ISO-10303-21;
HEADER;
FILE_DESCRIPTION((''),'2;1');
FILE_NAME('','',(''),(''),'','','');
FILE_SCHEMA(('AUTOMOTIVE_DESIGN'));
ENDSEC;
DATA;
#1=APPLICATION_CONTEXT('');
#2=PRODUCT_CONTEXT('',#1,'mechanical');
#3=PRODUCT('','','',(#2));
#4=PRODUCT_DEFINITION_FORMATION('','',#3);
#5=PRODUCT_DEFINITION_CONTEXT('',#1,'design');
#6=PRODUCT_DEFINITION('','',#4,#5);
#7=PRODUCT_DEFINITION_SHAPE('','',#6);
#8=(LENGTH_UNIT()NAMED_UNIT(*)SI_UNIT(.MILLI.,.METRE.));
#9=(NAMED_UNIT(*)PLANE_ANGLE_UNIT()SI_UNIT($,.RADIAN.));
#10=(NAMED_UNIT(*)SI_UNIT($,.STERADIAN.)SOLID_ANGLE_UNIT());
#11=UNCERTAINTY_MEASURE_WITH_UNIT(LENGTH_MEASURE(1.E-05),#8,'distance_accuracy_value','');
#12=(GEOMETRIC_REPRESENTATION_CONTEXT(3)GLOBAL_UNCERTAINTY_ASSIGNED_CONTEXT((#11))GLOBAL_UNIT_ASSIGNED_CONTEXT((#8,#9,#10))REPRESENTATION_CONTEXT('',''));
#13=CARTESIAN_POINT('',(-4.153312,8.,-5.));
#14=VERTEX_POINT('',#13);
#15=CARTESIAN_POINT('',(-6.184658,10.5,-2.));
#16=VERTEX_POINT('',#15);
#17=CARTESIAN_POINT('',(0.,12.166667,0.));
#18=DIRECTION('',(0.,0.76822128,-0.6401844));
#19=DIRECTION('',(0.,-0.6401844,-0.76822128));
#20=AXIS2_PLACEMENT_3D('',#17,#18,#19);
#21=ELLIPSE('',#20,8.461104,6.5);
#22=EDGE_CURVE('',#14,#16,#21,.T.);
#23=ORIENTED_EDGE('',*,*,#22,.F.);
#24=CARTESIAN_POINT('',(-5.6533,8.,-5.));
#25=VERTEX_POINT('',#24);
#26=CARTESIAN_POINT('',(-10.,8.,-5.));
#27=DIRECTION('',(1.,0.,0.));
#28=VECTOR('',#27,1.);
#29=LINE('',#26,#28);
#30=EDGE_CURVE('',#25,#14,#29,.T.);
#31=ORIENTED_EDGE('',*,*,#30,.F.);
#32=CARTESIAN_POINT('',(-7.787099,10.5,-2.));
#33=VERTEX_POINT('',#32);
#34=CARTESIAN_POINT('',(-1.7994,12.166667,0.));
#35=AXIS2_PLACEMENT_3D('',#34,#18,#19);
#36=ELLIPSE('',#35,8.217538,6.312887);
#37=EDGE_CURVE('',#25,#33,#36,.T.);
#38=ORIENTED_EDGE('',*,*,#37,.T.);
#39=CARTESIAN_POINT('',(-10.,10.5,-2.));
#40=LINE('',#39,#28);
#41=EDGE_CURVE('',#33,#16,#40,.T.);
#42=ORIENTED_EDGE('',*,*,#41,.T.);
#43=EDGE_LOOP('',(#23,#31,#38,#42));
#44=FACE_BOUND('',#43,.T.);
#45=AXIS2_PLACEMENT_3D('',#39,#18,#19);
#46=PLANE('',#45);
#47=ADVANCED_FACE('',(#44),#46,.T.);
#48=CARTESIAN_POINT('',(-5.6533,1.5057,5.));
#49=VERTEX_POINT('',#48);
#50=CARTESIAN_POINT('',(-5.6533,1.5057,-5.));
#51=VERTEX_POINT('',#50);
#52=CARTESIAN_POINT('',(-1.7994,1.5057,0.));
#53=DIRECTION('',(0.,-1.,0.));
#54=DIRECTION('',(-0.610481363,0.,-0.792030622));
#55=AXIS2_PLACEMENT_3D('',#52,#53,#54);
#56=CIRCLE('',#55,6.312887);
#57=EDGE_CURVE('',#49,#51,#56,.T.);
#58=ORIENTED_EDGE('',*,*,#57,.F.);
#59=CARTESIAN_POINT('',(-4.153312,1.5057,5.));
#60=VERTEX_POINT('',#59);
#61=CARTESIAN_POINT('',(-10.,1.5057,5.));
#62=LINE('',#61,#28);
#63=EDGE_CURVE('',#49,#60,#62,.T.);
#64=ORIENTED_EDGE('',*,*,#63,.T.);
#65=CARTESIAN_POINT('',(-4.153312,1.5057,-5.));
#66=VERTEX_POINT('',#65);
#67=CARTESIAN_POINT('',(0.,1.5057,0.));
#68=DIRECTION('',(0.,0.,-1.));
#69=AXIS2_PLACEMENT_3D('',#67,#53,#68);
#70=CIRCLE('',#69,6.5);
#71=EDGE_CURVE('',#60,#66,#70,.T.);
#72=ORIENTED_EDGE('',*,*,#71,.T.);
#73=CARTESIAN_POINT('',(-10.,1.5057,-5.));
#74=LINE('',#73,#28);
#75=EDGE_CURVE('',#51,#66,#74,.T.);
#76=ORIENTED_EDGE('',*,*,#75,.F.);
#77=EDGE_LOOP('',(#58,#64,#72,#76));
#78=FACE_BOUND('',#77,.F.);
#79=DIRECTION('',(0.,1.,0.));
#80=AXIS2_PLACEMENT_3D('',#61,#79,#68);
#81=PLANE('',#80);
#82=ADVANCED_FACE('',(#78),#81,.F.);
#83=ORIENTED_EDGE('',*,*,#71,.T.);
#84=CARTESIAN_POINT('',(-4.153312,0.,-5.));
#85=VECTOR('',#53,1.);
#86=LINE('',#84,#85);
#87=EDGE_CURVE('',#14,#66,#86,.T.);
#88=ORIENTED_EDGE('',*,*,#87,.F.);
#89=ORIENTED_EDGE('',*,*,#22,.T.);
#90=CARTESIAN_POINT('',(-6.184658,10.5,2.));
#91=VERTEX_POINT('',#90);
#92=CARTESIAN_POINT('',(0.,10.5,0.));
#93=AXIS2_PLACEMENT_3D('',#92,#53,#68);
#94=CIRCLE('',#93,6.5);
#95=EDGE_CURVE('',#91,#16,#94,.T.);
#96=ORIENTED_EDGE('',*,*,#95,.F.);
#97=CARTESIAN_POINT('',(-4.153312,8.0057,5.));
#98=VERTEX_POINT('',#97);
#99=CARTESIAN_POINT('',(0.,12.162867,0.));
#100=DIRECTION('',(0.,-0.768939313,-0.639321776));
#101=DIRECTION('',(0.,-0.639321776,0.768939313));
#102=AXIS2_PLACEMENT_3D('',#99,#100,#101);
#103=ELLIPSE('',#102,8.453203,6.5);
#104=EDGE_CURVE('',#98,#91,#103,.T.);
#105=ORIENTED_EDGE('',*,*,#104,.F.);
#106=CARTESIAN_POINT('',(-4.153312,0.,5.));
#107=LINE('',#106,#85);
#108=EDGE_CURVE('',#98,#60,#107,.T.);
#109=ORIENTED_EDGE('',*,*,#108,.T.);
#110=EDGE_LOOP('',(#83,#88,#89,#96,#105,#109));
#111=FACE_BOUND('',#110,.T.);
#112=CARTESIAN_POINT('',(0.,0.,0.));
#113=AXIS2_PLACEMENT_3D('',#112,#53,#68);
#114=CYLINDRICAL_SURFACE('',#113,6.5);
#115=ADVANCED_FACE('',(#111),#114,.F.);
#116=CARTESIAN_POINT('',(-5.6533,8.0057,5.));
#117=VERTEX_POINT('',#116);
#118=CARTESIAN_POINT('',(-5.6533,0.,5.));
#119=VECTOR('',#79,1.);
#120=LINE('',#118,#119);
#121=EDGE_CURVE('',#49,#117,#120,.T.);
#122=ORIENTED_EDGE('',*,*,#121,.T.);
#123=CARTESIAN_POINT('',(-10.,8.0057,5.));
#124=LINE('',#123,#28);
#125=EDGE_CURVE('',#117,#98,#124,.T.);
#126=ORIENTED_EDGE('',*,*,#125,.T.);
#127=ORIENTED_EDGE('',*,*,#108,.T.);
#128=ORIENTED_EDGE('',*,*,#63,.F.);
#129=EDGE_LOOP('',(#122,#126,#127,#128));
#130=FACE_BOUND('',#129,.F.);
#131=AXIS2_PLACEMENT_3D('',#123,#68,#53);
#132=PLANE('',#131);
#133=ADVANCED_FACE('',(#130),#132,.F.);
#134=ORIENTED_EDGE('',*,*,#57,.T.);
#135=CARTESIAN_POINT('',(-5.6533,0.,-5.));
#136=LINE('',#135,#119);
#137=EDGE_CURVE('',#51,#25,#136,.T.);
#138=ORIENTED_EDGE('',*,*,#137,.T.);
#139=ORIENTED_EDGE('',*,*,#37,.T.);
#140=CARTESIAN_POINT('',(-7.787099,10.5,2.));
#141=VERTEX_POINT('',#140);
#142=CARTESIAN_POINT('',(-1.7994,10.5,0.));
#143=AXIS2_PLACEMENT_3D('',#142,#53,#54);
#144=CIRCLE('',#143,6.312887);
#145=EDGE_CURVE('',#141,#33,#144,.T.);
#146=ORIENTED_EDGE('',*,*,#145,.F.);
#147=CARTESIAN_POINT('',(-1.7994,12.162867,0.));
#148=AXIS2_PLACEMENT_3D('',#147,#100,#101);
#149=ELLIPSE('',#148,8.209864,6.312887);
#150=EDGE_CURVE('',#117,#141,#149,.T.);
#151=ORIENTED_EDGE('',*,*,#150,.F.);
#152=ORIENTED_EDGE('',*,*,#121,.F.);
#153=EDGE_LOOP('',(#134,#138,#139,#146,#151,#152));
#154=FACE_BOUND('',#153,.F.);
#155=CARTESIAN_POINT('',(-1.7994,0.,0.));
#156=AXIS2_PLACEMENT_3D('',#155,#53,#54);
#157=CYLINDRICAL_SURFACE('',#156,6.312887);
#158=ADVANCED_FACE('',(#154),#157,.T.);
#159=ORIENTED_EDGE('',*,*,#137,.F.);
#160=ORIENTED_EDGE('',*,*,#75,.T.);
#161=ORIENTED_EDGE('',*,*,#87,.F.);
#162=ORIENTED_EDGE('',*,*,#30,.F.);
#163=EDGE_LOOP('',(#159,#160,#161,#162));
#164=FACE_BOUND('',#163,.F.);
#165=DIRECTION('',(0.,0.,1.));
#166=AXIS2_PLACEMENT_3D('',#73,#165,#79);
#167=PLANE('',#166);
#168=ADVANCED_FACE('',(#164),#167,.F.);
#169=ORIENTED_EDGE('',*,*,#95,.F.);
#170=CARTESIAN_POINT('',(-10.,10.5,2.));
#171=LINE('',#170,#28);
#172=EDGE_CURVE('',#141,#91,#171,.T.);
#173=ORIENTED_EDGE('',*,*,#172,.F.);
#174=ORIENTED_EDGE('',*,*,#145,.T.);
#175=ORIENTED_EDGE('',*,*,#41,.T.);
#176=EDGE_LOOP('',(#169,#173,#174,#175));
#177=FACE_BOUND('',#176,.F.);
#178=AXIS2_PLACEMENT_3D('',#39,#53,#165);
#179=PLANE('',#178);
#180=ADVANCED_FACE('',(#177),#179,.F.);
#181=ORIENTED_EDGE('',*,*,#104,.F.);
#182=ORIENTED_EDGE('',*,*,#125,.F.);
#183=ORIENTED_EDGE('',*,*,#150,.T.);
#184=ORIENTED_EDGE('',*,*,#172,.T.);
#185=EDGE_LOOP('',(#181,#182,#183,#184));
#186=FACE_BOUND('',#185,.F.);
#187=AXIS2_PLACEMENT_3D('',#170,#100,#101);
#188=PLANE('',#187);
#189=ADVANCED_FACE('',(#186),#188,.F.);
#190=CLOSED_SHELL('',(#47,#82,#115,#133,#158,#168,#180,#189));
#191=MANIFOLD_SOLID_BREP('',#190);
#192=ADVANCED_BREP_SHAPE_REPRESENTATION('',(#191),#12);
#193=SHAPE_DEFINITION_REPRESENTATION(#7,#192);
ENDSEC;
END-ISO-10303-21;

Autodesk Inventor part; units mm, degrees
ref_plane "YZ Plane" through (0, 0, 0) normal (1, 0, 0) x (0, 1, 0)
ref_plane "XZ Plane" through (0, 0, 0) normal (0, 1, 0) x (-1, 0, 0)
ref_plane "XY Plane" through (0, 0, 0) normal (0, 0, 1) x (1, 0, 0)
sketch "Sketch1" plane through (0, 0, 0) normal (0, 1, 0) x (-1, 0, 0)
  arc A0 (0, -6.5) -> (0, 6.5) centre (0, 0) ccw
  line L0 (0, 6.5) -> (0, -6.5)
  dimension "d0" = 13
extrude "Extrusion1" add sketch "Sketch1" along normal blind 12
ref_plane "Work Plane1" through (-10, 0, 6.5) normal (1, 0, 0) x (0, 0, -1)
sketch "Sketch2" plane through (-10, 0, 6.5) normal (1, 0, 0) x (0, 0, -1)
  line L0 (1.5, 8.0057) -> (1.5, 1.5057)
  line L1 (1.5, 1.5057) -> (11.5, 1.5057)
  line L2 (11.5, 1.5057) -> (11.5, 8)
  line L3 (8.5, 10.5) -> (4.5, 10.5)
  line L4 (8.5, 10.5) -> (11.5, 8)
  line L5 (4.5, 10.5) -> (1.5, 8.0057)
  line L6 (13, 0) -> (13, 12) projected
  point P0 (6.5, 0)
  dimension "d9" = 10
  dimension "d10" = 6.5
  dimension "d12" = 4
  dimension "d14" = 3
  dimension "d15" = 3
  dimension "d24" = 1.5
extrude "Extrusion2" add sketch "Sketch2" along normal blind 10
sketch "Sketch7" plane through (0, 0, 0) normal (0, 1, 0) x (-1, 0, 0)
  arc A0 (0, -6.5) -> (0, 6.5) centre (0, 0) ccw
  line L0 (0, 6.5) -> (0, -6.5)
  line L1 (0, -6.5) -> (0, 6.5)
extrude "Extrusion7" cut sketch "Sketch7" along normal through all
sketch "Sketch8" plane through (0, 0, 0) normal (0, 1, 0) x (-1, 0, 0)
  arc A0 (5.6533, -5) -> (5.6533, 5) centre (1.7994, 0) ccw
  line L0 (5.6533, -5) -> (4.1533, -5)
  line L1 (5.6533, 5) -> (4.1533, 5)
  line L2 (10, 5) -> (4.1533, 5) projected
  arc A1 (4.1533, -5) -> (4.1533, 5) centre (10.21, 0) ccw
  point P0 (0, 0)
  dimension "d36" = 1.5
  dimension "d37" = 1.5
extrude "Extrusion8" cut sketch "Sketch8" along normal through all both and the other way through all
properties part number "13mm_radius_mold_with_crystal_skull"
